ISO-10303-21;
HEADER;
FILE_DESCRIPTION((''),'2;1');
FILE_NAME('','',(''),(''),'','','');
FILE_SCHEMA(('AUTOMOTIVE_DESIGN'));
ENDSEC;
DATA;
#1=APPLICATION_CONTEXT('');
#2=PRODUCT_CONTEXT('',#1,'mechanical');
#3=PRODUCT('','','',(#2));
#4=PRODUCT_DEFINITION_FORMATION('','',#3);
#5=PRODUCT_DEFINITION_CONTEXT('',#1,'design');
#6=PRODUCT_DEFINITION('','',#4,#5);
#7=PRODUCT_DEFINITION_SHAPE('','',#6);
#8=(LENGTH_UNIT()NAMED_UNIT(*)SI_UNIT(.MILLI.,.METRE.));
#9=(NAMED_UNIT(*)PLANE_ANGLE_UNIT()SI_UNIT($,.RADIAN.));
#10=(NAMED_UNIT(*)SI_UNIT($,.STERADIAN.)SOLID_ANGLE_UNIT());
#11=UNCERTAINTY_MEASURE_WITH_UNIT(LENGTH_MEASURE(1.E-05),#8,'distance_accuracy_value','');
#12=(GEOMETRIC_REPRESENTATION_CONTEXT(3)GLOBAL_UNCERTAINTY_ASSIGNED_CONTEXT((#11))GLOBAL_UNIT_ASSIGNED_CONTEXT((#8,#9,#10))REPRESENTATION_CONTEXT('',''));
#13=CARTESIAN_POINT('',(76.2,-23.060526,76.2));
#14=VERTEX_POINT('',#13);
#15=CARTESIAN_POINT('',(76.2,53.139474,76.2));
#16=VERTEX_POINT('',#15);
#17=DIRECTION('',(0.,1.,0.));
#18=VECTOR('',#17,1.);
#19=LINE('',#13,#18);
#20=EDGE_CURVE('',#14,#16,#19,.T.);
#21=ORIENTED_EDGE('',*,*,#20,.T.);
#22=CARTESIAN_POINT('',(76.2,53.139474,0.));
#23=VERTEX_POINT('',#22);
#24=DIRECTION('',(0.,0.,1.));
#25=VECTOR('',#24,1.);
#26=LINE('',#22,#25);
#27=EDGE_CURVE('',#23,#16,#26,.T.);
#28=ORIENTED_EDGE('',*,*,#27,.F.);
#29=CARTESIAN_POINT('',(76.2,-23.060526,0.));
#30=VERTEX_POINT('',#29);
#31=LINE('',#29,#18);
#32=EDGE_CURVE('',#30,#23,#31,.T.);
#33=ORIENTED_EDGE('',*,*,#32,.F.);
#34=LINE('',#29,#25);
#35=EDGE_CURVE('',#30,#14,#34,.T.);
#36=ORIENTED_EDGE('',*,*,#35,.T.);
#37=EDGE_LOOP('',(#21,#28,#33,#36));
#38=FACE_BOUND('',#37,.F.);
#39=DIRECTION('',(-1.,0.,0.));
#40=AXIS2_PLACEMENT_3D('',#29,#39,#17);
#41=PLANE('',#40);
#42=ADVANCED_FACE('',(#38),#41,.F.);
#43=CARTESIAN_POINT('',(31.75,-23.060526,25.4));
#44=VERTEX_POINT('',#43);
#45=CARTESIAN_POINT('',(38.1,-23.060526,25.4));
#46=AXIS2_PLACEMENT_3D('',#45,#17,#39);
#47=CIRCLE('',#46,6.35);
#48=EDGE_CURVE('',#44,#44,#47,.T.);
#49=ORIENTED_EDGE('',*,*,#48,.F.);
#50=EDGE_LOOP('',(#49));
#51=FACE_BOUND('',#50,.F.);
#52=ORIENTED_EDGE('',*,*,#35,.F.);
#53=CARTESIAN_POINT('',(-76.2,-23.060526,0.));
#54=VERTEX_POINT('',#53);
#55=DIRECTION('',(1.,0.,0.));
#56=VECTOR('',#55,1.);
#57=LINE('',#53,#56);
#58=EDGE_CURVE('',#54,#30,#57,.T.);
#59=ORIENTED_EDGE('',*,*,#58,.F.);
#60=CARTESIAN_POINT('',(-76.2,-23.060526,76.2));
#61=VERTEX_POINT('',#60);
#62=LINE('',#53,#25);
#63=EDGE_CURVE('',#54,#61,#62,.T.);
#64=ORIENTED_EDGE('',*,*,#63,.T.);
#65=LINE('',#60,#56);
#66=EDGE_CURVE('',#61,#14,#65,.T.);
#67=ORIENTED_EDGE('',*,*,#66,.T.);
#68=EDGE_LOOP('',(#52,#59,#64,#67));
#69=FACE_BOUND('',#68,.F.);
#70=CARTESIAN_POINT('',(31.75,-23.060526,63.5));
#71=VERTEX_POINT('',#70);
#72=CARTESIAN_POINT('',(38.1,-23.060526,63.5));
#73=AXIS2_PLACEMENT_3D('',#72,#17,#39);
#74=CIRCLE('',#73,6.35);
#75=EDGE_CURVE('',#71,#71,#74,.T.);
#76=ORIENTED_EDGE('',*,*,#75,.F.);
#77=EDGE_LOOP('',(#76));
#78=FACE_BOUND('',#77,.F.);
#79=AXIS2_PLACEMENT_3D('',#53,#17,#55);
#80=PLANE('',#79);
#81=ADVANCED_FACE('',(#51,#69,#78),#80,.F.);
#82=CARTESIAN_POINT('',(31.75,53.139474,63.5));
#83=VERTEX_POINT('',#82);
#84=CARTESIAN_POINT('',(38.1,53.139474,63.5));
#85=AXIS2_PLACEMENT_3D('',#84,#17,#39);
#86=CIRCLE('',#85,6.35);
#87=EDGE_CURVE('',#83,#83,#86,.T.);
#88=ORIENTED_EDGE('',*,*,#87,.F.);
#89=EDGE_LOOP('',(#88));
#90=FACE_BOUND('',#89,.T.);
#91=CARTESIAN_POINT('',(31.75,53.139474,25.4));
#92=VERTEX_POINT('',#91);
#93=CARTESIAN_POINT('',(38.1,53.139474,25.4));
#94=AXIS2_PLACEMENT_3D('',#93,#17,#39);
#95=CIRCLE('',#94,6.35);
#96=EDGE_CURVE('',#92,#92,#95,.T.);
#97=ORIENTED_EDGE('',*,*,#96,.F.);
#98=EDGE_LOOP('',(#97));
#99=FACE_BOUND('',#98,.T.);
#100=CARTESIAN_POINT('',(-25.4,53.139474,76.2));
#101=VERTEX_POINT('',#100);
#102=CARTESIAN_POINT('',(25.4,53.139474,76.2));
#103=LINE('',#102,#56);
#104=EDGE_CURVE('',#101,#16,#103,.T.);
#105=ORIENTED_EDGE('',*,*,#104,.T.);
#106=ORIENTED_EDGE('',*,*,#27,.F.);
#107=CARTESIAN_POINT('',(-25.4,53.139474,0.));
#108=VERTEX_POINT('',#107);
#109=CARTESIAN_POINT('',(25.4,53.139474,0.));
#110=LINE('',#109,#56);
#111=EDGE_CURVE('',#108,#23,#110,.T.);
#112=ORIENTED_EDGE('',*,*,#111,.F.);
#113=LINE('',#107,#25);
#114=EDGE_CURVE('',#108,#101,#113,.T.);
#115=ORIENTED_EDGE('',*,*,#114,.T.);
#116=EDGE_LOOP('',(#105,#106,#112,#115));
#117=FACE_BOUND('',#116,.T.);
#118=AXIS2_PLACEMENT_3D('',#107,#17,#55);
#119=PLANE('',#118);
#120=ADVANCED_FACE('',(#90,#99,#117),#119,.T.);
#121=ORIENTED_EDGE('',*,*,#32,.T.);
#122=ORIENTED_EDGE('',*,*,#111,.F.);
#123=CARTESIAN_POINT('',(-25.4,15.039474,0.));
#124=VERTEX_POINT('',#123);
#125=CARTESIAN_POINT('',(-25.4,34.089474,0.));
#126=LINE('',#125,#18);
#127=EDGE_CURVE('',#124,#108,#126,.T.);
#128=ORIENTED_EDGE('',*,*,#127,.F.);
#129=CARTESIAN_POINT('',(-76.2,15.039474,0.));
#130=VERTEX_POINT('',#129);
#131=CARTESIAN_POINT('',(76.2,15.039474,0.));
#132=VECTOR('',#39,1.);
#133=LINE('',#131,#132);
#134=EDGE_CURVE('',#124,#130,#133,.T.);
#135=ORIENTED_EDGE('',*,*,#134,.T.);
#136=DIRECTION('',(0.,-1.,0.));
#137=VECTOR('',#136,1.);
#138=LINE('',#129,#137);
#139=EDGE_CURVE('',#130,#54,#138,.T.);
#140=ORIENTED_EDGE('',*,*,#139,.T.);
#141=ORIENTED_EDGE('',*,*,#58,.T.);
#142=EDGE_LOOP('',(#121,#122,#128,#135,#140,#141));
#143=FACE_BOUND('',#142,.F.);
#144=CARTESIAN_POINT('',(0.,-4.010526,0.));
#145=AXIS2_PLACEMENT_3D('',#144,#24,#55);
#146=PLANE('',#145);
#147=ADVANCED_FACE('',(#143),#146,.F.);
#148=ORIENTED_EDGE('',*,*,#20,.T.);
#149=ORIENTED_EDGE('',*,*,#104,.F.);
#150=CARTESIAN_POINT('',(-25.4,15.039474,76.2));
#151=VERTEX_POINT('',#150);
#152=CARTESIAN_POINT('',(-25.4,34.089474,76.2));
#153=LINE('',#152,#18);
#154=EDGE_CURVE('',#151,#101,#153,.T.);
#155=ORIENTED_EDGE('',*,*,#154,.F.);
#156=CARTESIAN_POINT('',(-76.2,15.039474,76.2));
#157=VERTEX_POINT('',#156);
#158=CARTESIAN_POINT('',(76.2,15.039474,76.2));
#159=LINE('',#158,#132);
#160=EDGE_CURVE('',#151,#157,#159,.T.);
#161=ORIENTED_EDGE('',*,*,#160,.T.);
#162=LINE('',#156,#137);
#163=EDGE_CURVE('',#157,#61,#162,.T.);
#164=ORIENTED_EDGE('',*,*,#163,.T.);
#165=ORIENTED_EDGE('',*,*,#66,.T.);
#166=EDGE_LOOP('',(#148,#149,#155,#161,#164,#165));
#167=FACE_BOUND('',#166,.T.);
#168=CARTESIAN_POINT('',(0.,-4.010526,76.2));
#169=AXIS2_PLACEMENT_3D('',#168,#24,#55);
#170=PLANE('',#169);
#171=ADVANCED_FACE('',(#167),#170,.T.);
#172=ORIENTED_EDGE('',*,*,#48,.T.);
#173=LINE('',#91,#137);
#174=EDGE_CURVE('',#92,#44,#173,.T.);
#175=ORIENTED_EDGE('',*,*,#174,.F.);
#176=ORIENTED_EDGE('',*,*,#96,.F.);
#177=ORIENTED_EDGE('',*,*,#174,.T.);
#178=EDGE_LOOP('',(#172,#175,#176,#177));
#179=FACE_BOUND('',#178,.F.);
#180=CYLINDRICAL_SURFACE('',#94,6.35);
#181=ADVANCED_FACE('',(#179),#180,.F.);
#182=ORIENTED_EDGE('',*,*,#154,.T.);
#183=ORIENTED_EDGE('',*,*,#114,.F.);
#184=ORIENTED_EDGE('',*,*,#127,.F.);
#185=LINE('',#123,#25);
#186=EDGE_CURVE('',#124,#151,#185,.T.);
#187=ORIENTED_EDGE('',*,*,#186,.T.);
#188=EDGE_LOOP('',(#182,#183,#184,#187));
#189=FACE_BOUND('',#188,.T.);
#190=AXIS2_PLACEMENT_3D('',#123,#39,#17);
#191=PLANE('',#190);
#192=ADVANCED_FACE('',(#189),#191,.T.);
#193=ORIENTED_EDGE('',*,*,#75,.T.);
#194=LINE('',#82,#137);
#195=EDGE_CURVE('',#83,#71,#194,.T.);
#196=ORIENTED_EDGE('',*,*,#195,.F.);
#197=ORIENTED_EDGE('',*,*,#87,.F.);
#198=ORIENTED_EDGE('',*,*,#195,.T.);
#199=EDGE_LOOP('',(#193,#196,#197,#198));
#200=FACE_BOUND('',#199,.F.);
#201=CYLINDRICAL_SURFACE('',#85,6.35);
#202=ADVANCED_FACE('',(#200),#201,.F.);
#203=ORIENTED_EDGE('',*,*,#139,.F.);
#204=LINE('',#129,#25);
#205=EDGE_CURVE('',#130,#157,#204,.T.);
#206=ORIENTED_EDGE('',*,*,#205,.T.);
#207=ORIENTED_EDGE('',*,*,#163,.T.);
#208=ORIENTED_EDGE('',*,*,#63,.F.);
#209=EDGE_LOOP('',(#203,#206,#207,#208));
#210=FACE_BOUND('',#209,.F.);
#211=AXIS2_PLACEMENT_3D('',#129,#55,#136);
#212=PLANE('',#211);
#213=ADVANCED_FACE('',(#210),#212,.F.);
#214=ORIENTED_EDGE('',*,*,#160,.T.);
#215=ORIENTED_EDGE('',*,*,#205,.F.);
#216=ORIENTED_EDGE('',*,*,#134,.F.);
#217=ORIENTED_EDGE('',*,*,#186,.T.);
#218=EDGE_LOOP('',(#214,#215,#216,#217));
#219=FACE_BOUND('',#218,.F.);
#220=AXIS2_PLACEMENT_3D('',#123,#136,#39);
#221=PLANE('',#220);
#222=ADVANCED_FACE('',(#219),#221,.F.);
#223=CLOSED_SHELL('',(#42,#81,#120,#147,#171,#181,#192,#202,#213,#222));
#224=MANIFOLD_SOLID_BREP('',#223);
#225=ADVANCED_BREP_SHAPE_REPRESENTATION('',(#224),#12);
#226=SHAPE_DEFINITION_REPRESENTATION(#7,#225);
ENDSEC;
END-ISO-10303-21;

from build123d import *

# Parameters (mm, degrees)
F0_W     = 101.6
F0_H     = 38.1
F1_DEPTH = 76.2
F2_R     = 6.35
F3_DEPTH = 76.2


with BuildPart() as f1:
    # F0 (on Top) → F1 (new body)
    with BuildSketch(Plane.XY):
        Polygon((76.2, -23.060526), (76.2, 15.039474), (-25.4, 15.039474), (-76.2, 15.039474), (-76.2, -23.060526), align=None)
        with Locations((25.4, 34.089474)):
            Rectangle(F0_W, F0_H)
    extrude(amount=F1_DEPTH)

    # F2 (on face) → F3 (cut)
    with BuildSketch(Plane(origin=(0, 53.139474, 0), x_dir=(-1, 0, 0), z_dir=(0, 1, 0))):
        with Locations((-38.1, 25.4)):
            Circle(F2_R)
        with Locations((-38.1, 63.5)):
            Circle(F2_R)
    extrude(amount=-F3_DEPTH, mode=Mode.SUBTRACT)


solid = f1.part
